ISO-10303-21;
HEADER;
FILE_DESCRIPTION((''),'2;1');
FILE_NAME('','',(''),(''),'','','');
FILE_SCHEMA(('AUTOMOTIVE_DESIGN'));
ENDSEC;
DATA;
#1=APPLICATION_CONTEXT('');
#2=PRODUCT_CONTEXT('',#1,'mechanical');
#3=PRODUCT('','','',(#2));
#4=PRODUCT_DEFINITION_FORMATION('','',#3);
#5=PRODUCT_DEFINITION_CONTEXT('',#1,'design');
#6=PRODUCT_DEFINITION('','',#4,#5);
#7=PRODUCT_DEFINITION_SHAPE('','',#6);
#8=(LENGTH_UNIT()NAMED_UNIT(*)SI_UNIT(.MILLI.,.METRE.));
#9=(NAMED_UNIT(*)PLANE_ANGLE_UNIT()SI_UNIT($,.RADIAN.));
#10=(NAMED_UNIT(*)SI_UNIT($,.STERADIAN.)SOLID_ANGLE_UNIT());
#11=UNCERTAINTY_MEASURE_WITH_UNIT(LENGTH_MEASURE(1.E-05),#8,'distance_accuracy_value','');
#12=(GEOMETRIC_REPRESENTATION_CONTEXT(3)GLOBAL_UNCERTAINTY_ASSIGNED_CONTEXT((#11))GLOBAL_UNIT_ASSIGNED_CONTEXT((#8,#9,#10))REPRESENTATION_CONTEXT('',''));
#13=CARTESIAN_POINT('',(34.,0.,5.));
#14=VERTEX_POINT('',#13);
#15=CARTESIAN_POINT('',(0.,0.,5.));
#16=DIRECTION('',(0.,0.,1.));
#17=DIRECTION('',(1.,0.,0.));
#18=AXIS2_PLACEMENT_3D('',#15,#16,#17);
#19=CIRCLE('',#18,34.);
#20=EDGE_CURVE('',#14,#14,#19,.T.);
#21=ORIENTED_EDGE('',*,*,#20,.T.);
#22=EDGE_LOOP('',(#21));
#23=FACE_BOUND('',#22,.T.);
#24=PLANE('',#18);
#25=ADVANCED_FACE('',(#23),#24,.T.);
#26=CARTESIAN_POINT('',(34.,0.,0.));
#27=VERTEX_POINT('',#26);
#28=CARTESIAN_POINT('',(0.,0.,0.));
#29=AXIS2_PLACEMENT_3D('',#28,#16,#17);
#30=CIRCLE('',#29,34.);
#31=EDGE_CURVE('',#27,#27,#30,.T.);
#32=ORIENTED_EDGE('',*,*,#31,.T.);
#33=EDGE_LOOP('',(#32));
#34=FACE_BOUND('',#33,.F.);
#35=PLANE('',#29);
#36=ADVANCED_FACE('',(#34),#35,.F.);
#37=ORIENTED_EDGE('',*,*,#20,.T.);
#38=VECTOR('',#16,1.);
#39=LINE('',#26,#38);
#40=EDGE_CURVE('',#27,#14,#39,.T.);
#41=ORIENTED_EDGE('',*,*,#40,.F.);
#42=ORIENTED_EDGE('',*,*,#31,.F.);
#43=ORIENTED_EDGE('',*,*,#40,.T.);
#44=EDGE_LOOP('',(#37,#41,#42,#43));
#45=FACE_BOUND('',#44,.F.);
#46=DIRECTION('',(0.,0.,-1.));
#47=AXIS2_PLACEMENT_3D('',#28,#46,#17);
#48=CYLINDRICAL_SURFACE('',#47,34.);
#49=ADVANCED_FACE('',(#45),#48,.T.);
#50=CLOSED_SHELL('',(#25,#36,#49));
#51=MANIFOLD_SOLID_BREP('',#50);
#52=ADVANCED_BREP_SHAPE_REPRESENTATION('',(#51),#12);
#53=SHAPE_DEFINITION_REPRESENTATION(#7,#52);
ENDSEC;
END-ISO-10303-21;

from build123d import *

# Parameters (mm, degrees)
CYLINDER_R     = 34
CYLINDER_DEPTH = 5


with BuildPart() as part:
    # Cylinder → Cylinder (new body)
    with BuildSketch(Plane.XY):
        Circle(CYLINDER_R)
    extrude(amount=CYLINDER_DEPTH)


solid = part.part
